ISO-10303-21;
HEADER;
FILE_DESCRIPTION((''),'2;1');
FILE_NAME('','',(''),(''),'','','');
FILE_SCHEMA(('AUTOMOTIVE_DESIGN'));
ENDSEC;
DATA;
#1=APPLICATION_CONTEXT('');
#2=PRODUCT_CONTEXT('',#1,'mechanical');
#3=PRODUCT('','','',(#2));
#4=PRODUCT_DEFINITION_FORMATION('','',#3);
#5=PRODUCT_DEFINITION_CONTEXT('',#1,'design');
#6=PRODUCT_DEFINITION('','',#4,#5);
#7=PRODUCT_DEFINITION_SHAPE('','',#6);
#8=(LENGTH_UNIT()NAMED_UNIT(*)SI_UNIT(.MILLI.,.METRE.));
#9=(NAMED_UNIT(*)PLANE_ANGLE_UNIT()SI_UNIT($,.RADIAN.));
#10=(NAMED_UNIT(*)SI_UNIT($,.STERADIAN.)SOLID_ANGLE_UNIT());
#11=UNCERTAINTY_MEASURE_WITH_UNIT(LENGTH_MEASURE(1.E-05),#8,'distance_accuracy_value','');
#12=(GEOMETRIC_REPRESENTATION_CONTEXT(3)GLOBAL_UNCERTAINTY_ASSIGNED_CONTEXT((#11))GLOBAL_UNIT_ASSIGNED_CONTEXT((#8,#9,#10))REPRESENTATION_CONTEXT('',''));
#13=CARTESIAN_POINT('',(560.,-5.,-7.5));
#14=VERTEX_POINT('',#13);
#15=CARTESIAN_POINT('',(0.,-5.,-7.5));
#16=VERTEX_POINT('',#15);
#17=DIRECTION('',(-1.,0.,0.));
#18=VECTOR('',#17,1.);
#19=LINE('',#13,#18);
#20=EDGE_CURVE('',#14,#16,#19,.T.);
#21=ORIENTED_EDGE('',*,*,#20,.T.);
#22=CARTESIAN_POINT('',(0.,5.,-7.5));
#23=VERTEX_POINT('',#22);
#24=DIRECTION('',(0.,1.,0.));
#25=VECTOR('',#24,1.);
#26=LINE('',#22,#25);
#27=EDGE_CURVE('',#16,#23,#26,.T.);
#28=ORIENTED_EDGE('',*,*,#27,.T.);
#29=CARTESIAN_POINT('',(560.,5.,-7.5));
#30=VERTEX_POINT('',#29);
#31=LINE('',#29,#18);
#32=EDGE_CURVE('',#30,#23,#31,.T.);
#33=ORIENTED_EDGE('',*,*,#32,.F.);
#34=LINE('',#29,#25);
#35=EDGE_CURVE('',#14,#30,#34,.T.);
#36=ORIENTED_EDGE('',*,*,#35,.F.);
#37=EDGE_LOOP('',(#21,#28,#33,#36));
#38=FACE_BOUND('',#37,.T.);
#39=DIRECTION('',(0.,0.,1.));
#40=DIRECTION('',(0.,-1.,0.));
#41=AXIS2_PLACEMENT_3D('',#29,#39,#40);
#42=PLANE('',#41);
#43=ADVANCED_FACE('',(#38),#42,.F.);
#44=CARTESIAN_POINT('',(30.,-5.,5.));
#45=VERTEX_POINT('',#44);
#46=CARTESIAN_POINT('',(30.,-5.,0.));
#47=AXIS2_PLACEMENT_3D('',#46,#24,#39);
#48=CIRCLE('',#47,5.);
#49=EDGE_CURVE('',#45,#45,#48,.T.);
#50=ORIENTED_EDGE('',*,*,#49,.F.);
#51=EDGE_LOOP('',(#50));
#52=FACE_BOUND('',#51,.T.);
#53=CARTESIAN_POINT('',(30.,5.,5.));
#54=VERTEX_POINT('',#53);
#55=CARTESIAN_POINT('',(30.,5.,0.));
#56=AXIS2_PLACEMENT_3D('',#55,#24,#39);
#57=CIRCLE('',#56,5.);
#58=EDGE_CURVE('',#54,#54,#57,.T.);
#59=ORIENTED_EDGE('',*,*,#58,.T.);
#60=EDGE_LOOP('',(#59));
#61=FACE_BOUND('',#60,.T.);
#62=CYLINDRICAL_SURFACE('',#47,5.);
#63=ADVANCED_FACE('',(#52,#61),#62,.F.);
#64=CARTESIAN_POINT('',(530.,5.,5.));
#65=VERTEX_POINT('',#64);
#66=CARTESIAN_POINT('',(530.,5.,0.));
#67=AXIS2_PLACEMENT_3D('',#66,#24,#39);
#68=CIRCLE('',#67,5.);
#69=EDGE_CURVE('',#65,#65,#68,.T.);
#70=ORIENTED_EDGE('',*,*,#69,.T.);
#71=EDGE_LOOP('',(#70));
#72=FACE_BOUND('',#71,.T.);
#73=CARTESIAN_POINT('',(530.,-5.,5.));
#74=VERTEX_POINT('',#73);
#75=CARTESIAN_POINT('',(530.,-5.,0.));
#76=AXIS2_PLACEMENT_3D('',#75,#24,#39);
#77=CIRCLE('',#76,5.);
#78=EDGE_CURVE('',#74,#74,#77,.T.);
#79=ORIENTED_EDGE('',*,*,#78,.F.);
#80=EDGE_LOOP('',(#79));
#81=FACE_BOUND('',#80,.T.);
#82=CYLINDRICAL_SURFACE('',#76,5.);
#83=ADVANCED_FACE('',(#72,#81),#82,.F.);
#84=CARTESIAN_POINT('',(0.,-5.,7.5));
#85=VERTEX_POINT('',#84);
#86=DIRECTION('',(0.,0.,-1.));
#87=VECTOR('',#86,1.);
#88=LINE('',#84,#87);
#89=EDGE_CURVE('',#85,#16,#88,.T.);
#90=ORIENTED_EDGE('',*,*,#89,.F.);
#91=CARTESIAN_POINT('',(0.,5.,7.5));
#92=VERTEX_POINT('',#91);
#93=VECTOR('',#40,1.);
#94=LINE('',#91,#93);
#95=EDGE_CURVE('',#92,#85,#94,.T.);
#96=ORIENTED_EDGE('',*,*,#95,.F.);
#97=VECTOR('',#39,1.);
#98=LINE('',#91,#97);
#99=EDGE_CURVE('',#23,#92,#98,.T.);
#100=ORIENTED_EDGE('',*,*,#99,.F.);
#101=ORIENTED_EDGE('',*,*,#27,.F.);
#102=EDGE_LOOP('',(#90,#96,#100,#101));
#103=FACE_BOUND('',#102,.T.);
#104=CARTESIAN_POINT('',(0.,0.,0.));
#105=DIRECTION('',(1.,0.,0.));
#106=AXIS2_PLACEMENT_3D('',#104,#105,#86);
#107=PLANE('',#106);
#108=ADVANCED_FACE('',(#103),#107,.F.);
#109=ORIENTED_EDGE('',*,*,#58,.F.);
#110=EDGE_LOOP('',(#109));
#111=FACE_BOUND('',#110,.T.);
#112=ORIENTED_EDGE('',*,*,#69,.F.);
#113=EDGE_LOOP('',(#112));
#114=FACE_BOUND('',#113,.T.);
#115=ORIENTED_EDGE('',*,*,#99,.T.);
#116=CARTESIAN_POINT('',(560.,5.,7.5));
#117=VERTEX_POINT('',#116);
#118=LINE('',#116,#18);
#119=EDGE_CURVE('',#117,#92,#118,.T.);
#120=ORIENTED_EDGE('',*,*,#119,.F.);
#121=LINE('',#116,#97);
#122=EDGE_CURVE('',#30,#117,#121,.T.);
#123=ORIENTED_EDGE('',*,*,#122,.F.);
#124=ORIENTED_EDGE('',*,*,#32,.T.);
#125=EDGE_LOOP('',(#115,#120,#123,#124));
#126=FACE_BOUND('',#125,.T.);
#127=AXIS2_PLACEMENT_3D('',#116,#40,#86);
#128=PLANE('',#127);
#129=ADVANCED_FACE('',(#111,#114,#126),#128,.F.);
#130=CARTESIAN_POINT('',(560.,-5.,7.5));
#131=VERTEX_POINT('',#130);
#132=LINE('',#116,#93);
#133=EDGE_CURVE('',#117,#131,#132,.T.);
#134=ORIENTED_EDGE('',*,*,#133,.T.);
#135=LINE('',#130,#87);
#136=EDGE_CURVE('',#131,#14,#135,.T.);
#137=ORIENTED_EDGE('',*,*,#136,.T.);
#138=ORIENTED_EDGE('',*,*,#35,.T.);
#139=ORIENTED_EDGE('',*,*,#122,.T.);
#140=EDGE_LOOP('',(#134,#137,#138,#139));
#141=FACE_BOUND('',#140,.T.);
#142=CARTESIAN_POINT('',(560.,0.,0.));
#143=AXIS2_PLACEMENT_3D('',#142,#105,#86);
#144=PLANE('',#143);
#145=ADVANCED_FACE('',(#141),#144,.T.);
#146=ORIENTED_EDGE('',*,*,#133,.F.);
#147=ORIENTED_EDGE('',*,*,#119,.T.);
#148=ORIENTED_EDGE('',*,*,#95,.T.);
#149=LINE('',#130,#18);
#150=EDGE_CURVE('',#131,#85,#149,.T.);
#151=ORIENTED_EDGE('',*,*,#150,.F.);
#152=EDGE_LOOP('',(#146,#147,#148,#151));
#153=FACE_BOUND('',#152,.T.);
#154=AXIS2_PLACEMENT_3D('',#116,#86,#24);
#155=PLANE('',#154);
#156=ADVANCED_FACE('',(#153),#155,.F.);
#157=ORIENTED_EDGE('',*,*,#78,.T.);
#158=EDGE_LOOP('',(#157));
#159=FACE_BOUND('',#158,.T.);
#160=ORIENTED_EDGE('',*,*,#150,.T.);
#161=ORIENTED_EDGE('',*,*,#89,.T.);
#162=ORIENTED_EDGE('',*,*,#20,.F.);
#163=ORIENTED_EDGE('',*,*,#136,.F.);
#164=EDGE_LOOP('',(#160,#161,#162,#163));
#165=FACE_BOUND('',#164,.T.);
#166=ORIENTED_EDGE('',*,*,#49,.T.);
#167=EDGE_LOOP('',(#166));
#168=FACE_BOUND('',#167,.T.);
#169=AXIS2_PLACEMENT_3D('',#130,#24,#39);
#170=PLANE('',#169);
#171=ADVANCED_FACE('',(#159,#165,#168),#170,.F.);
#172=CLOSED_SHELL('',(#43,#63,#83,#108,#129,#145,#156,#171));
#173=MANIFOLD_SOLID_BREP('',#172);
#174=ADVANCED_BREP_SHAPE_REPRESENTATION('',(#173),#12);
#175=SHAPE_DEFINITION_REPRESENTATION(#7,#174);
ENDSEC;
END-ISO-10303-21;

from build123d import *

# Parameters (mm, degrees)
SKETCH2_W           = 15
SKETCH2_H           = 10
BOSS_EXTRUDE1_DEPTH = 560
SKETCH3_R           = 5
CUT_EXTRUDE1_DEPTH  = 10


with BuildPart() as part:
    # Sketch2 → Boss-Extrude1 (new body)
    with BuildSketch(Plane(origin=(0, 0, 0), x_dir=(0, 0, -1), z_dir=(1, 0, 0))):
        Rectangle(SKETCH2_W, SKETCH2_H)
    extrude(amount=BOSS_EXTRUDE1_DEPTH)

    # Sketch3 → Cut-Extrude1 (cut)
    with BuildSketch(Plane(origin=(0, 5, 0), x_dir=(1, 0, 0), z_dir=(0, 1, 0))):
        with Locations(Location((30, 0, 0), (0, 0, 270))):
            Circle(SKETCH3_R)
        with Locations(Location((530, 0, 0), (0, 0, 270))):
            Circle(SKETCH3_R)
    extrude(amount=-CUT_EXTRUDE1_DEPTH, mode=Mode.SUBTRACT)


solid = part.part
